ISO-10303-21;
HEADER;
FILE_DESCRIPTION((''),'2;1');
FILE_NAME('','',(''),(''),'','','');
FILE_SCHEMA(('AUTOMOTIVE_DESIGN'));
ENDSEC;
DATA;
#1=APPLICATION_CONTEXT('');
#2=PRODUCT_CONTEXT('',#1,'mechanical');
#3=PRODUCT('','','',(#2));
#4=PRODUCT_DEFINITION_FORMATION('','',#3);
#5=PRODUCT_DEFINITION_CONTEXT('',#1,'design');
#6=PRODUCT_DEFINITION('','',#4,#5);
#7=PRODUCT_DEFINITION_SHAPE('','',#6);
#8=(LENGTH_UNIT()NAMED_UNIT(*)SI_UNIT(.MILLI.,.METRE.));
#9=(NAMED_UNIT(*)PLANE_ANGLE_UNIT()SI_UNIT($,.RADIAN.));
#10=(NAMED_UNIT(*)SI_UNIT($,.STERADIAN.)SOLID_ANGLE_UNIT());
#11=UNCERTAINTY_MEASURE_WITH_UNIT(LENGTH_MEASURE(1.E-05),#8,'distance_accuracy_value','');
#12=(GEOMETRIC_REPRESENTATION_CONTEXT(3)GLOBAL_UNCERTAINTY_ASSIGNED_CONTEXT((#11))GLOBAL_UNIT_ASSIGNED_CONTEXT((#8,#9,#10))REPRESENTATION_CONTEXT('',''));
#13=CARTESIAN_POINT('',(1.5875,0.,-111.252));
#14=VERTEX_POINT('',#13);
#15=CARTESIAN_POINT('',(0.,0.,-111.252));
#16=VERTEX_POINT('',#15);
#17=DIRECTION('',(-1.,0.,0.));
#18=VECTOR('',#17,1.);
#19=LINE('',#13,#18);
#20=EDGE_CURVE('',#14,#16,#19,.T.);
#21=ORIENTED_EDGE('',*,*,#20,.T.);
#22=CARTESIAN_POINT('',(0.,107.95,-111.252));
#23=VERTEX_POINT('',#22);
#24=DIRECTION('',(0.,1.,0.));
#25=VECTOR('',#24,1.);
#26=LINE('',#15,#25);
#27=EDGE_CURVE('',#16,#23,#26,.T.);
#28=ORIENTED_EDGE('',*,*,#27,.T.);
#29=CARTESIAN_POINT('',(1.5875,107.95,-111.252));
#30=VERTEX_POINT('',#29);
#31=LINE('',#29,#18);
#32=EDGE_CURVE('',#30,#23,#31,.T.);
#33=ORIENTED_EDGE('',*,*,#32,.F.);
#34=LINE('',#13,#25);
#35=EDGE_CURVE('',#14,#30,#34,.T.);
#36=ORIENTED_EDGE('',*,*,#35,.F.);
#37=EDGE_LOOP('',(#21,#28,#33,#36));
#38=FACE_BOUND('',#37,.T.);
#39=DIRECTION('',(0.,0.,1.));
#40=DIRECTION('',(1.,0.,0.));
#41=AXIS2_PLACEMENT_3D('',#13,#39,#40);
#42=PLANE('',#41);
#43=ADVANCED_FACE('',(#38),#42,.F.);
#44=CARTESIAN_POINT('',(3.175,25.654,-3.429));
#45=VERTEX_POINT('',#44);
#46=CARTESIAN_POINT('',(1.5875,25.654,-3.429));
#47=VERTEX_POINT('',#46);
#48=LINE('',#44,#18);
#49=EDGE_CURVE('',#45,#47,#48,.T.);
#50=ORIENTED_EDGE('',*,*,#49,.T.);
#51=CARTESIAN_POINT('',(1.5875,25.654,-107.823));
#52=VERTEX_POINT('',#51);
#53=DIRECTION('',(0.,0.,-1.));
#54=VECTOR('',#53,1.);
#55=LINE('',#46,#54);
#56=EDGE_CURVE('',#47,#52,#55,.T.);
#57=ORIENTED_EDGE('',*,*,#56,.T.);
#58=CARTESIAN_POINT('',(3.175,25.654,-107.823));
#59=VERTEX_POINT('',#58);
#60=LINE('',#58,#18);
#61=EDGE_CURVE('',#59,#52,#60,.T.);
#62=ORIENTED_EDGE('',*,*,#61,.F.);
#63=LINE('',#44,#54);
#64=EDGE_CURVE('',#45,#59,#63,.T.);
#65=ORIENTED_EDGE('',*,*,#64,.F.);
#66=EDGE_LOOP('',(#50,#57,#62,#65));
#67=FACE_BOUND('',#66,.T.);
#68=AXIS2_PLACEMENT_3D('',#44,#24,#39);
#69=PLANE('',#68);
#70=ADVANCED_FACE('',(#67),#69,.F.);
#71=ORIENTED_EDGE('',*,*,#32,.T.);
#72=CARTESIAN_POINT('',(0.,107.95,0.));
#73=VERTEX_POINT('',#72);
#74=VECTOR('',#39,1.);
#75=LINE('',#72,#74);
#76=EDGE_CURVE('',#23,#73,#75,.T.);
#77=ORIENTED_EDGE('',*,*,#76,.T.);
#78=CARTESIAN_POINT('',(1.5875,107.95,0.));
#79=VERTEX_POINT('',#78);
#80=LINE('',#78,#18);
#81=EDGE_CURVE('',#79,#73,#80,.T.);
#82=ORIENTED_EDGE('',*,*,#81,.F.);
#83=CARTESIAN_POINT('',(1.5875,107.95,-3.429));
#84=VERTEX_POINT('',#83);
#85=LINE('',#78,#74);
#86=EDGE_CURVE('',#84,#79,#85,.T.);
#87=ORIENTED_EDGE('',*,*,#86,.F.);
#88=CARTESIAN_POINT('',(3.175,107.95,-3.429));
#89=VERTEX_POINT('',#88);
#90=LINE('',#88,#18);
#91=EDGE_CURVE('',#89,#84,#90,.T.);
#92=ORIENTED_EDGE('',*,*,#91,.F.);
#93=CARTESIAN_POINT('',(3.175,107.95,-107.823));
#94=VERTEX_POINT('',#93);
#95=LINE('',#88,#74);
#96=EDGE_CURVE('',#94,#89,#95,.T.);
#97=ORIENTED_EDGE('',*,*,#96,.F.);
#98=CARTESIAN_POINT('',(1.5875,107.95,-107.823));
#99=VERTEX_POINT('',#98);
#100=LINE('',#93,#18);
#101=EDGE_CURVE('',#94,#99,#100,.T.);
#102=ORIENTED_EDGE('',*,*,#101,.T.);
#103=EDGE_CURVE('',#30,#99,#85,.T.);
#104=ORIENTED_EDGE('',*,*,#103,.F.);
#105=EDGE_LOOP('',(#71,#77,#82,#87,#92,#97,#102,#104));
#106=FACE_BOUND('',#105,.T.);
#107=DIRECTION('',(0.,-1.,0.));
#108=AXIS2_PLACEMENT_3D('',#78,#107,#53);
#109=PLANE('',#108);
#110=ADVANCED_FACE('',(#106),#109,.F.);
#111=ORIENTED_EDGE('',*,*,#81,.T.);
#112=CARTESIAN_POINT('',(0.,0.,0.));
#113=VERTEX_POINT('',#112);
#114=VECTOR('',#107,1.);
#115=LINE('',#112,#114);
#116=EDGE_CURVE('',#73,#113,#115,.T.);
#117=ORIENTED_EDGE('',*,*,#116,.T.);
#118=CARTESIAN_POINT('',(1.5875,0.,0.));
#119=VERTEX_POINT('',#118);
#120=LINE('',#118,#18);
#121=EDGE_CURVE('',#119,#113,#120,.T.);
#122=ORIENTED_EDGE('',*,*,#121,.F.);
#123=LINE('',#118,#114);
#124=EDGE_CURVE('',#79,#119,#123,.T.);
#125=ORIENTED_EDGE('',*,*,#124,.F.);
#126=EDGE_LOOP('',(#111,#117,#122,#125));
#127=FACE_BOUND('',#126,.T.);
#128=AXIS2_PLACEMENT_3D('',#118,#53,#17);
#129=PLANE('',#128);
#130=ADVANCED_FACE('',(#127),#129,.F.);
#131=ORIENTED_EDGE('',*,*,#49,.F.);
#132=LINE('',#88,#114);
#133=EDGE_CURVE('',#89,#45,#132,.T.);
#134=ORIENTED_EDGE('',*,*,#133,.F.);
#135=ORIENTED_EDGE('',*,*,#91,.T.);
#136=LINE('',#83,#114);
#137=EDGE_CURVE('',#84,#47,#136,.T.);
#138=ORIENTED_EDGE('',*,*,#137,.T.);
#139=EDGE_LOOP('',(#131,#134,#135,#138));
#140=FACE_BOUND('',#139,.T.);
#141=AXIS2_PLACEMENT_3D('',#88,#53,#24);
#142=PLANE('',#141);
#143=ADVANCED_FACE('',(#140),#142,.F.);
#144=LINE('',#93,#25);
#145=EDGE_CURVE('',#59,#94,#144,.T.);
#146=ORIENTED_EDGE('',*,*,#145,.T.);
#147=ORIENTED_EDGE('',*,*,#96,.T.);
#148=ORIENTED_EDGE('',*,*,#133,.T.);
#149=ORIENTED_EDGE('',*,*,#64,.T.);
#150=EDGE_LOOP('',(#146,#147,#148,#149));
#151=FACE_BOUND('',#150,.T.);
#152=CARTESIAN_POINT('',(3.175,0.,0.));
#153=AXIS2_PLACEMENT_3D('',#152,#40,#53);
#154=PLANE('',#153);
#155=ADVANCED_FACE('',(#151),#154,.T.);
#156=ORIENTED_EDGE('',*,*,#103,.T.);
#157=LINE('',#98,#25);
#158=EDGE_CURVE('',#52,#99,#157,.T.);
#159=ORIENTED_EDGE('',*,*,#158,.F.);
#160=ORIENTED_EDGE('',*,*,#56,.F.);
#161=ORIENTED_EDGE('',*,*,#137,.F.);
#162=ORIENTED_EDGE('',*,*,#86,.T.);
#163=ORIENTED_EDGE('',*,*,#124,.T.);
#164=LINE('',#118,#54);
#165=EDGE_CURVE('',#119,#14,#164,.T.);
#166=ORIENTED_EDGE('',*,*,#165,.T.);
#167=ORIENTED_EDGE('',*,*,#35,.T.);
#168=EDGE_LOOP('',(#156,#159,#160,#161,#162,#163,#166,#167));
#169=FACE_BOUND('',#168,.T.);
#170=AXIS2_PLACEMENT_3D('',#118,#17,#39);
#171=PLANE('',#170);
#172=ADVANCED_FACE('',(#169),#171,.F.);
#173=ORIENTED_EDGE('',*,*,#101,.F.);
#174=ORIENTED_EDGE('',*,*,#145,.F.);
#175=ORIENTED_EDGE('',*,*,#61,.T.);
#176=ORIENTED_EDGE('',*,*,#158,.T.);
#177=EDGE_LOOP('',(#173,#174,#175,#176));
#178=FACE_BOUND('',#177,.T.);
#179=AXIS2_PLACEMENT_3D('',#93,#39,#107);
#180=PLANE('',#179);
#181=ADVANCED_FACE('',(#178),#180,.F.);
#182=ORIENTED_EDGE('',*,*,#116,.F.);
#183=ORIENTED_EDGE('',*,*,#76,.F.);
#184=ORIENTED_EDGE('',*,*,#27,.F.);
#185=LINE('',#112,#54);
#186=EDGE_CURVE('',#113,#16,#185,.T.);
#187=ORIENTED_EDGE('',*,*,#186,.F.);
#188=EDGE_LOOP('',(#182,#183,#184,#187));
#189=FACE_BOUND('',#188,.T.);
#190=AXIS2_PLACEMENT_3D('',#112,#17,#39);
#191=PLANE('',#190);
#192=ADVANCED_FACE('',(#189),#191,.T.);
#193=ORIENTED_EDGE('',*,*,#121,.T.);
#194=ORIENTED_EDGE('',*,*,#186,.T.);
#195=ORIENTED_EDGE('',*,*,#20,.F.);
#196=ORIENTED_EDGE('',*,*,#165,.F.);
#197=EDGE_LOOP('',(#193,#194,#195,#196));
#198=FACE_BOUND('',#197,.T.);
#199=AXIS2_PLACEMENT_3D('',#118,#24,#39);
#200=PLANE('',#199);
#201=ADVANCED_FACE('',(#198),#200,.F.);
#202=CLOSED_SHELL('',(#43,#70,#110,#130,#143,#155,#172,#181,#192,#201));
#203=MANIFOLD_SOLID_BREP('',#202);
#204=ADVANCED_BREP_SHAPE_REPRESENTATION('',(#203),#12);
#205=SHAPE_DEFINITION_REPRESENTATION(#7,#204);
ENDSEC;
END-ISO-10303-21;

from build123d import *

# Parameters (mm, degrees)
SKETCH1_W           = 111.252
SKETCH1_H           = 107.95
BOSS_EXTRUDE1_DEPTH = 1.5875
SKETCH2_W           = 104.394
SKETCH2_H           = 82.296
BOSS_EXTRUDE2_DEPTH = 1.5875


with BuildPart() as part:
    # Sketch1 → Boss-Extrude1 (new body)
    with BuildSketch(Plane(origin=(0, 0, 0), x_dir=(0, 0, -1), z_dir=(1, 0, 0))):
        with Locations((55.626, 53.975)):
            Rectangle(SKETCH1_W, SKETCH1_H)
    extrude(amount=BOSS_EXTRUDE1_DEPTH)

    # Sketch2 → Boss-Extrude2 (add)
    with BuildSketch(Plane(origin=(1.5875, 0, 0), x_dir=(0, 0, -1), z_dir=(1, 0, 0))):
        with Locations((55.626, 66.802)):
            Rectangle(SKETCH2_W, SKETCH2_H)
    extrude(amount=BOSS_EXTRUDE2_DEPTH)


solid = part.part
